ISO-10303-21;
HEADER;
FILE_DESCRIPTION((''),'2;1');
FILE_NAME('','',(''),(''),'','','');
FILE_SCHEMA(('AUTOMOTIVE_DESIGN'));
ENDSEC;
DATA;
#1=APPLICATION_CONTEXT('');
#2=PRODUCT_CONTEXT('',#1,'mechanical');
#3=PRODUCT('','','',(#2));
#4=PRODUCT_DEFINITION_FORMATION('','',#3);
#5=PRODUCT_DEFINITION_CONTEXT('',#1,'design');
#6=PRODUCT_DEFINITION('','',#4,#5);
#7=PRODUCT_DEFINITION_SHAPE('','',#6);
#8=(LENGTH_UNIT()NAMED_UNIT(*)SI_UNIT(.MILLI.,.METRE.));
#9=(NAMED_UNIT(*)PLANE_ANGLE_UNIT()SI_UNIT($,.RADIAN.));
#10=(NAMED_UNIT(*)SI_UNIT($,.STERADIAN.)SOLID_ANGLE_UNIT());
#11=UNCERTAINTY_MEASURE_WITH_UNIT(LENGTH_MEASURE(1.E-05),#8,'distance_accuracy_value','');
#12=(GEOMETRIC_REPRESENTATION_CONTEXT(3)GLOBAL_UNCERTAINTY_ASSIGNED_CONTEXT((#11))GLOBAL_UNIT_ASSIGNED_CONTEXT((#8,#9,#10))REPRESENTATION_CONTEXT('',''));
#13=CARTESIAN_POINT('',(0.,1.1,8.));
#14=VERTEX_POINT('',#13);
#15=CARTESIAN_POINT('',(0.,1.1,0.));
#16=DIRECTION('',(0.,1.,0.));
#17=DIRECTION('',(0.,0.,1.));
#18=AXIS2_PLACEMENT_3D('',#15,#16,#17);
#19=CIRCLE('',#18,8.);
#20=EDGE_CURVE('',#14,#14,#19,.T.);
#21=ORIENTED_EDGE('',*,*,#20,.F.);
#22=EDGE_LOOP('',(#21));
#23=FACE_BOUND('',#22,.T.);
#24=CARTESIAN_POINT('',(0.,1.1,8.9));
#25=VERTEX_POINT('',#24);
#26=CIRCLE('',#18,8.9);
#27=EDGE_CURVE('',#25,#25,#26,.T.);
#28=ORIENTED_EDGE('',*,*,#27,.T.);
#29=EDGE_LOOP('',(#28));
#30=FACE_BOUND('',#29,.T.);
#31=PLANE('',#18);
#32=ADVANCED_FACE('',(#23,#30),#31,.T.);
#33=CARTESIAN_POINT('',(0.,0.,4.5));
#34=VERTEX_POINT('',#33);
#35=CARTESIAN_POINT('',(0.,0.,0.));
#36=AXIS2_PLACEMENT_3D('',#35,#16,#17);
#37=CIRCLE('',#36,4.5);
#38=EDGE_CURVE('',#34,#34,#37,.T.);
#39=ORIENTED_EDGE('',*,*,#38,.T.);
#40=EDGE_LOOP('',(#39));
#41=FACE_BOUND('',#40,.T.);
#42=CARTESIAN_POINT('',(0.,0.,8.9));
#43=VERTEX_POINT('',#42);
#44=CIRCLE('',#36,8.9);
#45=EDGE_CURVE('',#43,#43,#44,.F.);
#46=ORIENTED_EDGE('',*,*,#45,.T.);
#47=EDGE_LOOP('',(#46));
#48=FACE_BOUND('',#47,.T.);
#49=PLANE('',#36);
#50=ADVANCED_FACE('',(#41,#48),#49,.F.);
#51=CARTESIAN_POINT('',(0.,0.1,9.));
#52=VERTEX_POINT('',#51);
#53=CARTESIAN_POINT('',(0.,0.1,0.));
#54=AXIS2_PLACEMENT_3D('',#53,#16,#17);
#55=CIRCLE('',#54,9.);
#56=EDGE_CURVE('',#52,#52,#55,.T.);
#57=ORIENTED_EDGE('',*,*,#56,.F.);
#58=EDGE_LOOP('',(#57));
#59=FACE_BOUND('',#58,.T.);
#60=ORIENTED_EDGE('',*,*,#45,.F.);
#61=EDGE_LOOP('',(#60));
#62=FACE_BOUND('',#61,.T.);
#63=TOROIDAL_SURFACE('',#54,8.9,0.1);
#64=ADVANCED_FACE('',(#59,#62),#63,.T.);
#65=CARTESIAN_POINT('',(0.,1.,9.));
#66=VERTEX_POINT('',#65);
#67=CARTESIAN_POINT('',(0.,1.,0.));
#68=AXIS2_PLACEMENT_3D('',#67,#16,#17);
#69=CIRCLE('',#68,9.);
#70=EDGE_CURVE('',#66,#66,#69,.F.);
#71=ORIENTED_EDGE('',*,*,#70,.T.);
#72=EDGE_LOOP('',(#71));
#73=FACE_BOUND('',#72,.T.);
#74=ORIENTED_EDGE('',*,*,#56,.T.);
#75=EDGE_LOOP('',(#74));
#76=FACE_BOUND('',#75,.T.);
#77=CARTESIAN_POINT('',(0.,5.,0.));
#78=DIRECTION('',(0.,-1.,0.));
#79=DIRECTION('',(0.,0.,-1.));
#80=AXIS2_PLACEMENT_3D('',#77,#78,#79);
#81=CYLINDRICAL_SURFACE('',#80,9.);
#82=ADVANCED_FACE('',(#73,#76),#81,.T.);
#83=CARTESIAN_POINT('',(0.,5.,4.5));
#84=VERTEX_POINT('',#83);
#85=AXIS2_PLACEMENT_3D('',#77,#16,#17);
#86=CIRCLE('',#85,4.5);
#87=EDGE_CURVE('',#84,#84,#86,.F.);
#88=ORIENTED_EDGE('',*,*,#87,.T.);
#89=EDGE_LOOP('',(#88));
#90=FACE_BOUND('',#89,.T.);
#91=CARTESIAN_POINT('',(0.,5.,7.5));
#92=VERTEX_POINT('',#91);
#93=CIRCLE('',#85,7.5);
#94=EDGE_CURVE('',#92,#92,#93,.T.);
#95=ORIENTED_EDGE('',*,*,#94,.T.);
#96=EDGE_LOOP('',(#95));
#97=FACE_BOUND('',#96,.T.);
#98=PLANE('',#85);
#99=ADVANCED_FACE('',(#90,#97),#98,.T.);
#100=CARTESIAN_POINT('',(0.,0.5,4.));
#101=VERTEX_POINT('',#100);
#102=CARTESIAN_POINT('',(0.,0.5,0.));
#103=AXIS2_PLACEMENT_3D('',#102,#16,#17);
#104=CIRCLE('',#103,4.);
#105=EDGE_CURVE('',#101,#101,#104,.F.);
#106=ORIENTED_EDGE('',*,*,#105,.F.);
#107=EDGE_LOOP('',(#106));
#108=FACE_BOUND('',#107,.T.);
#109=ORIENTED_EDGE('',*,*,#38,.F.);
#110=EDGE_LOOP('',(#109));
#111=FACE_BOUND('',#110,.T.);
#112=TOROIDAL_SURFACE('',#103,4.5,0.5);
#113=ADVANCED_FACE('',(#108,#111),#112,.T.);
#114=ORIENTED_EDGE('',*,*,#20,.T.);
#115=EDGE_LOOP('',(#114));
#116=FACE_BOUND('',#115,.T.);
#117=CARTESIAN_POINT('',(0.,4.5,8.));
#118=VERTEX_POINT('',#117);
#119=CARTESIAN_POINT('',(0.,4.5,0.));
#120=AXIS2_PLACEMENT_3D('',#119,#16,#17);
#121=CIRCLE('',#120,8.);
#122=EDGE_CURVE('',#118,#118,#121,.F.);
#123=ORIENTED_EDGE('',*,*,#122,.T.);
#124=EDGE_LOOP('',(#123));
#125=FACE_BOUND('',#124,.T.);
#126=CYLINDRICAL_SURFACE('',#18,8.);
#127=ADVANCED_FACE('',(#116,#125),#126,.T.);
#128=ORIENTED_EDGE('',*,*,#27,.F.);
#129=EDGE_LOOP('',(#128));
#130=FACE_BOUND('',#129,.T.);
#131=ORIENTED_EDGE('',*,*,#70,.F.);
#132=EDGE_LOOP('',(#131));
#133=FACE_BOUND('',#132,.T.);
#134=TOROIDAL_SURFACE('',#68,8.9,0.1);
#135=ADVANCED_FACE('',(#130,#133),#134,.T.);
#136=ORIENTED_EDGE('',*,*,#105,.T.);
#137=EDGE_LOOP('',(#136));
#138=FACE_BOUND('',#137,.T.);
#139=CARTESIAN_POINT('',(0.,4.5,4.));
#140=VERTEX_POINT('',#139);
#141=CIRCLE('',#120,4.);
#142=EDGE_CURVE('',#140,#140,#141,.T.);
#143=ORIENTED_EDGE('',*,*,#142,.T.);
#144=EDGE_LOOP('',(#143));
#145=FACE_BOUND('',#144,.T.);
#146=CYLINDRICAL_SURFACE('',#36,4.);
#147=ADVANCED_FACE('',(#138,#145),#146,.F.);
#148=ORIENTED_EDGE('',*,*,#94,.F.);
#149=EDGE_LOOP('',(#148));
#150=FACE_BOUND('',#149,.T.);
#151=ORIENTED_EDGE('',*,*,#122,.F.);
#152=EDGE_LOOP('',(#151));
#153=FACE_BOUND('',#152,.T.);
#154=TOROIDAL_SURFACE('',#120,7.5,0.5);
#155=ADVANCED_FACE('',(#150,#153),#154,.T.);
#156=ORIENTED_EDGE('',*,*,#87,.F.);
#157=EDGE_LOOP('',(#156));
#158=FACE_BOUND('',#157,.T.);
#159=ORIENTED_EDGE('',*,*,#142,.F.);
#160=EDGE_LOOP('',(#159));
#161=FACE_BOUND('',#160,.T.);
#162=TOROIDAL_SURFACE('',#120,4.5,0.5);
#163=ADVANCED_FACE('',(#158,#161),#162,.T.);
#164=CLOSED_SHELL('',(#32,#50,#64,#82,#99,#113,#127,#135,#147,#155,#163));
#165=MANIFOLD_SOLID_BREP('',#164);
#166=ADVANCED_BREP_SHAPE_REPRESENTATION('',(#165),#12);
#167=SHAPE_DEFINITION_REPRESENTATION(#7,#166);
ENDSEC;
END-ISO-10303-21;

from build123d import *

# Parameters (mm, degrees)
SKETCH1_R           = 9
BOSS_EXTRUDE1_DEPTH = 5
CUT_EXTRUDE1_START  = -3.9
SKETCH2_R           = 9
SKETCH2_R_2         = 8
CUT_EXTRUDE1_DEPTH  = 3.9
SKETCH3_R           = 4
CUT_EXTRUDE2_DEPTH  = 5
FILLET1_R           = 0.5
FILLET2_R           = 0.1
FILLET3_R           = 0.1


with BuildPart() as part:
    # Sketch1 → Boss-Extrude1 (new body)
    with BuildSketch(Plane(origin=(0, 0, 0), x_dir=(1, 0, 0), z_dir=(0, 1, 0))):
        with Locations(Location((0, 0, 0), (0, 0, 270))):
            Circle(SKETCH1_R)
    extrude(amount=BOSS_EXTRUDE1_DEPTH)

    # Sketch2 → Cut-Extrude1 (cut)
    with BuildSketch(Plane(origin=(0, 5, 0), x_dir=(1, 0, 0), z_dir=(0, 1, 0)).offset(CUT_EXTRUDE1_START)):
        with Locations(Location((0, 0, 0), (0, 0, 270))):
            Circle(SKETCH2_R)
        with Locations(Location((0, 0, 0), (0, 0, 270))):
            Circle(SKETCH2_R_2, mode=Mode.SUBTRACT)
    extrude(amount=CUT_EXTRUDE1_DEPTH, mode=Mode.SUBTRACT)

    # Sketch3 → Cut-Extrude2 (cut)
    with BuildSketch(Plane(origin=(0, 5, 0), x_dir=(1, 0, 0), z_dir=(0, 1, 0))):
        with Locations(Location((0, 0, 0), (0, 0, 270))):
            Circle(SKETCH3_R)
    extrude(amount=-CUT_EXTRUDE2_DEPTH, mode=Mode.SUBTRACT)

    # Fillet1
    fillet1_edges = [part.edges().sort_by_distance(p)[0] for p in [
        (0, 0, -4),
        (0, 5, -4),
        (0, 5, -8),
    ]]
    fillet(fillet1_edges, radius=FILLET1_R)

    # Fillet2
    fillet2_edges = [part.edges().sort_by_distance(p)[0] for p in [
        (0, 1.1, -9),
    ]]
    fillet(fillet2_edges, radius=FILLET2_R)

    # Fillet3
    fillet3_edges = [part.edges().sort_by_distance(p)[0] for p in [
        (0, 0, -9),
    ]]
    fillet(fillet3_edges, radius=FILLET3_R)


solid = part.part
